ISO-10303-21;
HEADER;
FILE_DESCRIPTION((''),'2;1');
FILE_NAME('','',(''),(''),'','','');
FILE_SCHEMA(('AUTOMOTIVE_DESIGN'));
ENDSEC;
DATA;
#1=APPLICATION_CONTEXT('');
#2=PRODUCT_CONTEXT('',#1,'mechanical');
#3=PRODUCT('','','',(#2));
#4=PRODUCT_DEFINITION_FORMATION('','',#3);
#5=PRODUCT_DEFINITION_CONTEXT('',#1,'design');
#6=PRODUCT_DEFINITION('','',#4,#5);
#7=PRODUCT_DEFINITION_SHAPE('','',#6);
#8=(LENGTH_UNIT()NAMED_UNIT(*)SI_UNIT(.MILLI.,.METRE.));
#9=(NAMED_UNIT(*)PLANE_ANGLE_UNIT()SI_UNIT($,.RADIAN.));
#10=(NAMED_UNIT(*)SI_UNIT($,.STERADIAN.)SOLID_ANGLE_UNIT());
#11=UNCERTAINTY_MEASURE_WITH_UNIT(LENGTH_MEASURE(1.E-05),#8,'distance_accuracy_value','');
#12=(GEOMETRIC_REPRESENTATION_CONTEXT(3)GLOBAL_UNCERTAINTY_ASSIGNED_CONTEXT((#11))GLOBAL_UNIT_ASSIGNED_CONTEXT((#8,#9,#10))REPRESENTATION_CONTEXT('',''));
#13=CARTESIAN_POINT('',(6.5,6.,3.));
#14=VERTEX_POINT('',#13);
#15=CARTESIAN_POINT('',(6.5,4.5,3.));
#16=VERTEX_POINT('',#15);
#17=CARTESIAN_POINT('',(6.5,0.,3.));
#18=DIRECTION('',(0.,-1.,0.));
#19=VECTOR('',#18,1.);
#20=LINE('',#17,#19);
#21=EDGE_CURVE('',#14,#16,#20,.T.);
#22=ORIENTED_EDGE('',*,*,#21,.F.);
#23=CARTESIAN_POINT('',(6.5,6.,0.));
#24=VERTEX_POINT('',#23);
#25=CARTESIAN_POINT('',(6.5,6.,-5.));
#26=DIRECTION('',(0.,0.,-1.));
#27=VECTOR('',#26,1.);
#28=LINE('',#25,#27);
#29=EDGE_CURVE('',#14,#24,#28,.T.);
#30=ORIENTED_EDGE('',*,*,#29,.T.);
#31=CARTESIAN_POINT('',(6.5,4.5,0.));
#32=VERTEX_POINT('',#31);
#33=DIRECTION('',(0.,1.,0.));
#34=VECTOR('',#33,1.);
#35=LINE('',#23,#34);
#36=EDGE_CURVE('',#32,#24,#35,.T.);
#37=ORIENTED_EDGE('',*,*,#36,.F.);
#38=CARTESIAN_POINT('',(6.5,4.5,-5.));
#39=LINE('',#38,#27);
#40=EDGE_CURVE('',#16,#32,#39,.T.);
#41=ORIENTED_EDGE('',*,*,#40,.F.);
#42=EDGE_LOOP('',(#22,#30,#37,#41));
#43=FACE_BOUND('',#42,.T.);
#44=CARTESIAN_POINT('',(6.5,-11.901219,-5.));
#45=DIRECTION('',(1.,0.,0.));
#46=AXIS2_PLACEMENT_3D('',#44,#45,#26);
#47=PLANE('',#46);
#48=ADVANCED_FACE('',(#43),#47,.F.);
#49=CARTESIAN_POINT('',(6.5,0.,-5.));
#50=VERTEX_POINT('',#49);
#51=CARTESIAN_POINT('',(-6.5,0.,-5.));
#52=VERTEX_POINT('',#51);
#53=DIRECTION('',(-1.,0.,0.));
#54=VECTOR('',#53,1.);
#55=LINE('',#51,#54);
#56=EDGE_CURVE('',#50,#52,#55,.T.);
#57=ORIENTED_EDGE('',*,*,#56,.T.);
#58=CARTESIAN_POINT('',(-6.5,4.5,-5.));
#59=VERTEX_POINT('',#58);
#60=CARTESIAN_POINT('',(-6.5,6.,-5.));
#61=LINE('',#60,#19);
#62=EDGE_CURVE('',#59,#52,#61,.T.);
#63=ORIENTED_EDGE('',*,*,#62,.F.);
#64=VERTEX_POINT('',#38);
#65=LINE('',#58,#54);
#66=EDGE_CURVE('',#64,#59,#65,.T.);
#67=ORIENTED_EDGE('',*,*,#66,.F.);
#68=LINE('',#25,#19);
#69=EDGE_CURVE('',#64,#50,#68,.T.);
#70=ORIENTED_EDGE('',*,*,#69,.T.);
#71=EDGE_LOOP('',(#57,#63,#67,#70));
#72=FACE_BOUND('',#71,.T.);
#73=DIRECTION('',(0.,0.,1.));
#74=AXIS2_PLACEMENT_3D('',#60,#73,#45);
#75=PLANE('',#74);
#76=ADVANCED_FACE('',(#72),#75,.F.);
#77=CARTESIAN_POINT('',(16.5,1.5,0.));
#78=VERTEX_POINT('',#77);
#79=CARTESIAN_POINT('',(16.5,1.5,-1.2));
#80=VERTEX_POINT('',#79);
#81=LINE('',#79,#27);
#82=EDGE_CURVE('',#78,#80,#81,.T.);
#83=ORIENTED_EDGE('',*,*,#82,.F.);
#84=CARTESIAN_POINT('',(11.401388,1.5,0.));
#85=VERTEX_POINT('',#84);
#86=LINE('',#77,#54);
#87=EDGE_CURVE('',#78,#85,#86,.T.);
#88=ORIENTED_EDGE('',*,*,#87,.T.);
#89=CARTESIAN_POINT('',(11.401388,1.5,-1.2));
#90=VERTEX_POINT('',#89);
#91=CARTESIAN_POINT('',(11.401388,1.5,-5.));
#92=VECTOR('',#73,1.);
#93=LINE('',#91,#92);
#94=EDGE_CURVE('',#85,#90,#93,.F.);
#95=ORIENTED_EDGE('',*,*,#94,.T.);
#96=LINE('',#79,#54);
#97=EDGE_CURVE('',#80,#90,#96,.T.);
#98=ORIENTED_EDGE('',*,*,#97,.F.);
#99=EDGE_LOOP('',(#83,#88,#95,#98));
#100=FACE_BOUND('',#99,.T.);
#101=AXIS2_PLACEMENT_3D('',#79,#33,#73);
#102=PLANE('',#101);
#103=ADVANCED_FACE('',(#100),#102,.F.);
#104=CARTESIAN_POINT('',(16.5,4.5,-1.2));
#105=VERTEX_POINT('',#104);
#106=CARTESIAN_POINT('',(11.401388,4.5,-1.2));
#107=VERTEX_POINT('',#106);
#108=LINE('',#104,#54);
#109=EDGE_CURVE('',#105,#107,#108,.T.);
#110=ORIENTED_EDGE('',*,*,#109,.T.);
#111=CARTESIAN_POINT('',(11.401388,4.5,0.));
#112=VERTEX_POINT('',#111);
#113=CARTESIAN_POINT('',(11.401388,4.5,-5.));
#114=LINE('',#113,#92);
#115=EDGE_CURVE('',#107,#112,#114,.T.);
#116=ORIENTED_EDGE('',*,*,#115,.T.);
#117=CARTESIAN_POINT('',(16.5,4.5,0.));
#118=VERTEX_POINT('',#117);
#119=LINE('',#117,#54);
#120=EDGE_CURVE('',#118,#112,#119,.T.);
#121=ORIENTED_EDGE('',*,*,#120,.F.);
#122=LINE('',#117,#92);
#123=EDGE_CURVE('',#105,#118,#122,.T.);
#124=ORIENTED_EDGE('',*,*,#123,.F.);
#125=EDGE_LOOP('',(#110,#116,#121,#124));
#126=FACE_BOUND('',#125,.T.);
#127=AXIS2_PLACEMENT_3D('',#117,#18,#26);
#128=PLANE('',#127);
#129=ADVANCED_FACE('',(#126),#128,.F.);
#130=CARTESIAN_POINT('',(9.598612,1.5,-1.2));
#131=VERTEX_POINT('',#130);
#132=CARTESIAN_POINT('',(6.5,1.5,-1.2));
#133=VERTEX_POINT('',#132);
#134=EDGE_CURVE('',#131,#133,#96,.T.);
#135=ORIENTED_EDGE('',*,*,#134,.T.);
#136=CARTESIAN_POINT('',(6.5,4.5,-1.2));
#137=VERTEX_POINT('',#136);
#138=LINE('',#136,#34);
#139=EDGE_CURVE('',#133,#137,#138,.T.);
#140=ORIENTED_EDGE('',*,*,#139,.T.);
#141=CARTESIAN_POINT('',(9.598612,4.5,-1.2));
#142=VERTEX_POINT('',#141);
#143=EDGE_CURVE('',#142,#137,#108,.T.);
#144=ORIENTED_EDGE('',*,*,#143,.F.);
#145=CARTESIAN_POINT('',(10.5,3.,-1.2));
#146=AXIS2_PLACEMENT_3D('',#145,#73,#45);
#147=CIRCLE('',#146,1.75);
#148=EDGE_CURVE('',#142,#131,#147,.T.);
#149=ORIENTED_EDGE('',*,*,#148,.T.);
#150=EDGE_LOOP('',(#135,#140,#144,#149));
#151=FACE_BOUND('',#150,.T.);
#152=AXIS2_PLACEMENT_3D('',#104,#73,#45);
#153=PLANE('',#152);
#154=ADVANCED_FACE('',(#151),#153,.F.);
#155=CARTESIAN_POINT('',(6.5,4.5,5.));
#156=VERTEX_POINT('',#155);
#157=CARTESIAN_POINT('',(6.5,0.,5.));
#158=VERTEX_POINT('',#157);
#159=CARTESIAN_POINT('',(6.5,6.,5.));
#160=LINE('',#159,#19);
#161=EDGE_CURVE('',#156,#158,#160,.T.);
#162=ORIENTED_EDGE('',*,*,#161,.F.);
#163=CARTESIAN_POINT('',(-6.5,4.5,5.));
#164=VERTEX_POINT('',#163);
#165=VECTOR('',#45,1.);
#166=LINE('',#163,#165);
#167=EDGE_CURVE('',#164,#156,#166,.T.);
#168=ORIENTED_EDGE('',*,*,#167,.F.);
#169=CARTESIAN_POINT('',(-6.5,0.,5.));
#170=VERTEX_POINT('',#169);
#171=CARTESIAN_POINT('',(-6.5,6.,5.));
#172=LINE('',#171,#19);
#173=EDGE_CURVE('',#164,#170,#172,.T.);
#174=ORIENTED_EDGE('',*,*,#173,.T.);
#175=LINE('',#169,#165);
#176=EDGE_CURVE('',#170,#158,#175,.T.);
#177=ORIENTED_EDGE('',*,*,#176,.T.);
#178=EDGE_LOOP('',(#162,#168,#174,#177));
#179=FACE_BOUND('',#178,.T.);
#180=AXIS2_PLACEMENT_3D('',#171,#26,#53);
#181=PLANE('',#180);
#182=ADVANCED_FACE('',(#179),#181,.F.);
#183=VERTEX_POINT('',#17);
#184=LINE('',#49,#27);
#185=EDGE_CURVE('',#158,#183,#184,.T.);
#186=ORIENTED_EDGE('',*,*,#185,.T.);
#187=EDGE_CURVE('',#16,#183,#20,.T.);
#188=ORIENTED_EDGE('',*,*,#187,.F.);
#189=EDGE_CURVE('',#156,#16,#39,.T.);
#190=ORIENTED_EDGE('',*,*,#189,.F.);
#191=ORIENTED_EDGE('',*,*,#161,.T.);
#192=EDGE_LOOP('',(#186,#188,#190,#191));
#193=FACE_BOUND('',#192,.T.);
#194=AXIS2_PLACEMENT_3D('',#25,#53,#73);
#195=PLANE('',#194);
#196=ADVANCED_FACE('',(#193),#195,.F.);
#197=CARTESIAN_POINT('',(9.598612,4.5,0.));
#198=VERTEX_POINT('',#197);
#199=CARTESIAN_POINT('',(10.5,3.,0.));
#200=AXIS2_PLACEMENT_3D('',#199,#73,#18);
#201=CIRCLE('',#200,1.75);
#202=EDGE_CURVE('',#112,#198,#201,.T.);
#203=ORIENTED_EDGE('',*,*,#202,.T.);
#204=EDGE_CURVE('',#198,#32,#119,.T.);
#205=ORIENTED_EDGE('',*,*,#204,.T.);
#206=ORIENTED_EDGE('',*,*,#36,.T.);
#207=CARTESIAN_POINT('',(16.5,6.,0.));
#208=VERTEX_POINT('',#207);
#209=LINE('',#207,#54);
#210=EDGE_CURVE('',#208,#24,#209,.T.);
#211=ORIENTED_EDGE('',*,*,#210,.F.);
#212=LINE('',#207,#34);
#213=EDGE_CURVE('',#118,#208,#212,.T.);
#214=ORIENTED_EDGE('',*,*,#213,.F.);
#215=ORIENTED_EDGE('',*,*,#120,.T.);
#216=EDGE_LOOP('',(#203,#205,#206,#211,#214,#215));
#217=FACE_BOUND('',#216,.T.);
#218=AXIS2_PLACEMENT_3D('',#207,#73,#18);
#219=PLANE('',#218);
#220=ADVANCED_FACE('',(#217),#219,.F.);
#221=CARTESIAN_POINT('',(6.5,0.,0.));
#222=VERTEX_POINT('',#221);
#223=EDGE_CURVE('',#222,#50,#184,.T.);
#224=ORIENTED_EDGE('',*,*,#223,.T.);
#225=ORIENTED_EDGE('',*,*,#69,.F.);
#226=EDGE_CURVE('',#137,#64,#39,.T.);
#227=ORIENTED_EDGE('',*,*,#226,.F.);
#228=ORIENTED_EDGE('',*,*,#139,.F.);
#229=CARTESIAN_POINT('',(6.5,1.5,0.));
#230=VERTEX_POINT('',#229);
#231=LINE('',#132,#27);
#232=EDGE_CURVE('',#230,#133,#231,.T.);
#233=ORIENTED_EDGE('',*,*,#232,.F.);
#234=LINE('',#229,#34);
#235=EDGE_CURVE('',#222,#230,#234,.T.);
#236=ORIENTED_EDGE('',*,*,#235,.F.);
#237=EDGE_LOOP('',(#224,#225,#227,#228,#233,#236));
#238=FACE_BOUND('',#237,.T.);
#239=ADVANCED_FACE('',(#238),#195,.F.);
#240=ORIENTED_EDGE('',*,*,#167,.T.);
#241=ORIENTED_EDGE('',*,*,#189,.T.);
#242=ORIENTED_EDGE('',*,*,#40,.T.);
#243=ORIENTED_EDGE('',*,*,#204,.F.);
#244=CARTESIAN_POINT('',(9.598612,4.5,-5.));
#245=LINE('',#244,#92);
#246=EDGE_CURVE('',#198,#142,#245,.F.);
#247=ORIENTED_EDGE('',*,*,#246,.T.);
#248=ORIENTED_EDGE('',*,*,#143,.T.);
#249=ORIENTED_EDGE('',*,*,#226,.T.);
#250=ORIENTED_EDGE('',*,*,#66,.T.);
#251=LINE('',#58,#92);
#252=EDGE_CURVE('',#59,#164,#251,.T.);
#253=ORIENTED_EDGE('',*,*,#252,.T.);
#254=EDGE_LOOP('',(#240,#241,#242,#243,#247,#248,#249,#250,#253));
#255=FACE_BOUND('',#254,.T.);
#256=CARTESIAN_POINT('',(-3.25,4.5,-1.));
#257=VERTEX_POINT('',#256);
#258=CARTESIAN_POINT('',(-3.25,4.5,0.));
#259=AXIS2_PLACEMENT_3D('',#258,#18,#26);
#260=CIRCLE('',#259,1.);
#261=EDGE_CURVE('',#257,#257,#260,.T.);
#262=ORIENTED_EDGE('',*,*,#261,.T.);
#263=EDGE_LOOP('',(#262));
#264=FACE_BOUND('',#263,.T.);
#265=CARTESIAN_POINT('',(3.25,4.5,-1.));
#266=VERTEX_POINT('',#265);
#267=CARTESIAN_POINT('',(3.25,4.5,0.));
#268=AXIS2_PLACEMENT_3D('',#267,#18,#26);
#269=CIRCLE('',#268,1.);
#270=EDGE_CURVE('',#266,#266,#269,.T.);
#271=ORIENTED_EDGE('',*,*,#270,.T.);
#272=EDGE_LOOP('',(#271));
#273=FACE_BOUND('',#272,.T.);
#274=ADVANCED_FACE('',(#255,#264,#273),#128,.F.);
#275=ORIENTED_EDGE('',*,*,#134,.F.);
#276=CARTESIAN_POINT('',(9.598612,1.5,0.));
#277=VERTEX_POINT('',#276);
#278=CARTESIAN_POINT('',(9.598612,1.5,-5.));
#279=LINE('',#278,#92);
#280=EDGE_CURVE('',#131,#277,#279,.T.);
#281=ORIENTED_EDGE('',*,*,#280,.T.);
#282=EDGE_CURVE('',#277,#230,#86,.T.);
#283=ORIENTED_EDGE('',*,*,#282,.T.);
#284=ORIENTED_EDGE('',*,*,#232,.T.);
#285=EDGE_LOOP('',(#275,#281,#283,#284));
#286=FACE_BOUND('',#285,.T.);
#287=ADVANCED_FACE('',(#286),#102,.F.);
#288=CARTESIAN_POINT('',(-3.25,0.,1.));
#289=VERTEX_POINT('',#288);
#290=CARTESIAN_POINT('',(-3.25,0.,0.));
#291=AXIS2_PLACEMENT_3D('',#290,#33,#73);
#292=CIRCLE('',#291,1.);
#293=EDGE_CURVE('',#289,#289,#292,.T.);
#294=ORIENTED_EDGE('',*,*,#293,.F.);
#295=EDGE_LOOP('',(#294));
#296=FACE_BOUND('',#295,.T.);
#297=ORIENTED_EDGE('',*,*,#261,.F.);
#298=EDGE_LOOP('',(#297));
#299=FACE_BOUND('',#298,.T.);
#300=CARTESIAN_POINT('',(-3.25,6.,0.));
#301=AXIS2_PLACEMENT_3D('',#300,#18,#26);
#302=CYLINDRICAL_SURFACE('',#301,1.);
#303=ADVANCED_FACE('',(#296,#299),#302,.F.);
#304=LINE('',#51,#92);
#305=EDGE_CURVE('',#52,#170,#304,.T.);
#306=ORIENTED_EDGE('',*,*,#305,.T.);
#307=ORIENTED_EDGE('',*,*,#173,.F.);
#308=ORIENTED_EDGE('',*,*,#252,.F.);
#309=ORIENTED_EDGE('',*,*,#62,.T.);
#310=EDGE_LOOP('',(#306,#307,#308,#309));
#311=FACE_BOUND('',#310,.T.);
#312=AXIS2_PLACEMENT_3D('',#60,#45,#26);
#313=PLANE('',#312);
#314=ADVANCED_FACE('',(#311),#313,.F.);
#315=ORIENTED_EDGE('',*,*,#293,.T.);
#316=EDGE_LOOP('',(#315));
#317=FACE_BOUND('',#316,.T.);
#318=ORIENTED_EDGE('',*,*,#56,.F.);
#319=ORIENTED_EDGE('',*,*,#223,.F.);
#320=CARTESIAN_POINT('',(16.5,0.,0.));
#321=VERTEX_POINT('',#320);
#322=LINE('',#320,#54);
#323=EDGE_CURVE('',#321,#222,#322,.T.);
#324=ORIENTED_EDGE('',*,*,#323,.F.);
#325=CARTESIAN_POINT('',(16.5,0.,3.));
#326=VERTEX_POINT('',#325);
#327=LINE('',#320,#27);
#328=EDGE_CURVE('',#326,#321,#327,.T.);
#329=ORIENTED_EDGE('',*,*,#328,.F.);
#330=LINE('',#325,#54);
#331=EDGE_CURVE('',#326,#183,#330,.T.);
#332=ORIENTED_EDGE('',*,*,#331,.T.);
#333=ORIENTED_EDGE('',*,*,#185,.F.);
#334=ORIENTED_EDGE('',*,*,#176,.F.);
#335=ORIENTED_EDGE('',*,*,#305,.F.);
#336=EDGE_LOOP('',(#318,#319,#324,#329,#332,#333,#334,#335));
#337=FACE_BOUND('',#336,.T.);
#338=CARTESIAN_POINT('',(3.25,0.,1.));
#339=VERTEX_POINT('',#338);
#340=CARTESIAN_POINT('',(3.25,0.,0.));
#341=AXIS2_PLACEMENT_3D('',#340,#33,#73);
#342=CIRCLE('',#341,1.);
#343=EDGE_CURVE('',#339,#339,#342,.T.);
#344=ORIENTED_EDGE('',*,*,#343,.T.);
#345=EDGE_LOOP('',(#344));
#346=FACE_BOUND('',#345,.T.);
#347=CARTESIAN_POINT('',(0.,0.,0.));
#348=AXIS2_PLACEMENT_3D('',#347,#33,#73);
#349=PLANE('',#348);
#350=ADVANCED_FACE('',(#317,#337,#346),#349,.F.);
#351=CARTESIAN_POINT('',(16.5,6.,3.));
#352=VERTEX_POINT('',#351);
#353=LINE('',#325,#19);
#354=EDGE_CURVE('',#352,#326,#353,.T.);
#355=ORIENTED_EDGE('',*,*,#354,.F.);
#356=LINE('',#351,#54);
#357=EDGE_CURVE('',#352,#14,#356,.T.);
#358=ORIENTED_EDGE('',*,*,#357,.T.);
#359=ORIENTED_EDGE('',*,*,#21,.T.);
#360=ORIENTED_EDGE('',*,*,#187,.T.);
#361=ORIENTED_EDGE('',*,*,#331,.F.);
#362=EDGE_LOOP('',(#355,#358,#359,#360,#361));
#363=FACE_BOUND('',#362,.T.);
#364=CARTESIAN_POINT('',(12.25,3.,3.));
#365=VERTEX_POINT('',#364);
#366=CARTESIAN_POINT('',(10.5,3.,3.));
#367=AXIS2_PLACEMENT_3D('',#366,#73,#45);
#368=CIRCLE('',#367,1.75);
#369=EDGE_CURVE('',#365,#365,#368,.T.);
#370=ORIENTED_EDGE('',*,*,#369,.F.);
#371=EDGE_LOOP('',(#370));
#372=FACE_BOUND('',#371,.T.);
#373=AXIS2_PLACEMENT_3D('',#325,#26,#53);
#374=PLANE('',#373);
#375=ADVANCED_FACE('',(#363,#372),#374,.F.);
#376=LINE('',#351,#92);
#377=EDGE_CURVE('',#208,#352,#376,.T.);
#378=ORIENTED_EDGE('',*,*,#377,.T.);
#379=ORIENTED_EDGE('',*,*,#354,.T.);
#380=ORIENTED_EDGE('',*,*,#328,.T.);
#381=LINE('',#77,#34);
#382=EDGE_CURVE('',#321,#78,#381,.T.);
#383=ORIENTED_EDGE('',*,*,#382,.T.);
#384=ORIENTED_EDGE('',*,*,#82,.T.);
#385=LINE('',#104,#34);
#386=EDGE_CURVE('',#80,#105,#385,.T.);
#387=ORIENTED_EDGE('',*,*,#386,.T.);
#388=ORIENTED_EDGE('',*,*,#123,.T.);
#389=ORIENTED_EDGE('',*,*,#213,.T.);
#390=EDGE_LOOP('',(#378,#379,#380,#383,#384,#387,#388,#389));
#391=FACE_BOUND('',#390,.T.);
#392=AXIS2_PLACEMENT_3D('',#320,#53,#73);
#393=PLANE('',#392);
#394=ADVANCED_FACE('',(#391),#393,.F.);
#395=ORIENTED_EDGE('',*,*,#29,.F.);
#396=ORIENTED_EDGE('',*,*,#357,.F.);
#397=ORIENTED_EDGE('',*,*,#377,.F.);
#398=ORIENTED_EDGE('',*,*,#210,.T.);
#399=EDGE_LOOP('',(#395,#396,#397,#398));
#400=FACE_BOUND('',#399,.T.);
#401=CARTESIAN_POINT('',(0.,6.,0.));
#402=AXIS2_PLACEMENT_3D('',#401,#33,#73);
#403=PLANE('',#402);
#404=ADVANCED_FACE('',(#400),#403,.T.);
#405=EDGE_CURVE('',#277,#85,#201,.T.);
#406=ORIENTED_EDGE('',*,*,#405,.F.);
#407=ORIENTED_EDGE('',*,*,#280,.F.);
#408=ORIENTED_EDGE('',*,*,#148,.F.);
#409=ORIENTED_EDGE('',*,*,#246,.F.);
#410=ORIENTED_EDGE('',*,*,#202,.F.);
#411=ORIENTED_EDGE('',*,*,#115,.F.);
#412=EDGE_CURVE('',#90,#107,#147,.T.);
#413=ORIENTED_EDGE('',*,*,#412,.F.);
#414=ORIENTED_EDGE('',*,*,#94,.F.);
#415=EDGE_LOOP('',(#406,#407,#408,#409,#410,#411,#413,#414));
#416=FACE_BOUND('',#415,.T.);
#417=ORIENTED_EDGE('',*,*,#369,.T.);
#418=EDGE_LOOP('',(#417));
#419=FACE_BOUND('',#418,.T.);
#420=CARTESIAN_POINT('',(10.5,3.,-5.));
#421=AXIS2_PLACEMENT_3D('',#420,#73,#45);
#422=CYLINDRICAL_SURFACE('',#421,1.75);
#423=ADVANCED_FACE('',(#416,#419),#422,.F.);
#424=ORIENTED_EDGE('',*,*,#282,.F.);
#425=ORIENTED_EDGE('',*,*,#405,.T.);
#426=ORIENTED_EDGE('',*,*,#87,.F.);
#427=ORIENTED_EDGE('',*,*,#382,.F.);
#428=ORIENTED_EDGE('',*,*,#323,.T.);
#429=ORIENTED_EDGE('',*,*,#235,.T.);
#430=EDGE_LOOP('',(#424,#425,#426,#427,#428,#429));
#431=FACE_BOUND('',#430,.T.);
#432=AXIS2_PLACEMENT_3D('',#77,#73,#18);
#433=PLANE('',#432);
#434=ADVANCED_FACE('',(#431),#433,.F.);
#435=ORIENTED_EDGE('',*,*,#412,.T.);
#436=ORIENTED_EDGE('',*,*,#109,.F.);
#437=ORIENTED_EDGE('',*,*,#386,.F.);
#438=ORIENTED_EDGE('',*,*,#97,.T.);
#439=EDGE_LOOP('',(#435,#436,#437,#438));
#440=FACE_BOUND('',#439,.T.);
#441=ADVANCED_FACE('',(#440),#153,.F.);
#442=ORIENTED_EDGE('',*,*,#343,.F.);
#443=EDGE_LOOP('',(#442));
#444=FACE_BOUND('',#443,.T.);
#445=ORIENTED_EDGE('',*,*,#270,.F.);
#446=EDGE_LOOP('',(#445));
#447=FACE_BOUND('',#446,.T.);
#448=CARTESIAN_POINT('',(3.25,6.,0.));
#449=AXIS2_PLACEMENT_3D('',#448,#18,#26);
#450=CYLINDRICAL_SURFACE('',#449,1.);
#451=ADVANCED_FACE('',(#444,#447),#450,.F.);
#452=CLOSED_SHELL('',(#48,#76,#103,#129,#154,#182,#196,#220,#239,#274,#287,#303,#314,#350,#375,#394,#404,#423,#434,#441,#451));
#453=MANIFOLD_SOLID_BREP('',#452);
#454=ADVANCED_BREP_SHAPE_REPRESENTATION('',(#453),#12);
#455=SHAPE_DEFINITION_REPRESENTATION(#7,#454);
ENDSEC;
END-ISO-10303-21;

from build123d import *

# Parameters (mm, degrees)
SKETCH_2_W          = 13
SKETCH_2_H          = 10
SKETCH_2_R          = 1
EXTRUDE_1_DEPTH     = 6
EXTRUDE_3_DEPTH     = 10
SKETCH_5_R          = 1.75
CUT_EXTRUDE_1_DEPTH = 20.293781382
SKETCH_6_W          = 13
SKETCH_6_H          = 10
CUT_EXTRUDE_2_DEPTH = 1.5


with BuildPart() as part:
    # 草图2 → 凸台-拉伸1 (new body)
    with BuildSketch(Plane(origin=(0, 0, 0), x_dir=(1, 0, 0), z_dir=(0, 1, 0))):
        Rectangle(SKETCH_2_W, SKETCH_2_H)
        with Locations(Location((-3.25, 0, 0), (0, 0, 270))):
            Circle(SKETCH_2_R, mode=Mode.SUBTRACT)
        with Locations(Location((3.25, 0, 0), (0, 0, 270))):
            Circle(SKETCH_2_R, mode=Mode.SUBTRACT)
    extrude(amount=EXTRUDE_1_DEPTH)

    # 草图4 → 凸台-拉伸3 (add)
    with BuildSketch(Plane(origin=(6.5, 0, 11.5), x_dir=(0, 0, -1), z_dir=(1, 0, 0))):
        Polygon((11.5, 6), (11.5, 4.5), (12.7, 4.5), (12.7, 1.5), (11.5, 1.5), (11.5, 0), (8.5, 0), (8.5, 6), align=None)
    extrude(amount=EXTRUDE_3_DEPTH)

    # 草图5 → 切除-拉伸1 (cut, through all)
    with BuildSketch(Plane.XY.offset(3)):
        with Locations((10.5, 3)):
            Circle(SKETCH_5_R)
    extrude(amount=-CUT_EXTRUDE_1_DEPTH, mode=Mode.SUBTRACT)

    # 草图6 → 切除-拉伸2 (cut)
    with BuildSketch(Plane(origin=(0, 6, 0), x_dir=(1, 0, 0), z_dir=(0, 1, 0))):
        Rectangle(SKETCH_6_W, SKETCH_6_H)
    extrude(amount=-CUT_EXTRUDE_2_DEPTH, mode=Mode.SUBTRACT)


solid = part.part
